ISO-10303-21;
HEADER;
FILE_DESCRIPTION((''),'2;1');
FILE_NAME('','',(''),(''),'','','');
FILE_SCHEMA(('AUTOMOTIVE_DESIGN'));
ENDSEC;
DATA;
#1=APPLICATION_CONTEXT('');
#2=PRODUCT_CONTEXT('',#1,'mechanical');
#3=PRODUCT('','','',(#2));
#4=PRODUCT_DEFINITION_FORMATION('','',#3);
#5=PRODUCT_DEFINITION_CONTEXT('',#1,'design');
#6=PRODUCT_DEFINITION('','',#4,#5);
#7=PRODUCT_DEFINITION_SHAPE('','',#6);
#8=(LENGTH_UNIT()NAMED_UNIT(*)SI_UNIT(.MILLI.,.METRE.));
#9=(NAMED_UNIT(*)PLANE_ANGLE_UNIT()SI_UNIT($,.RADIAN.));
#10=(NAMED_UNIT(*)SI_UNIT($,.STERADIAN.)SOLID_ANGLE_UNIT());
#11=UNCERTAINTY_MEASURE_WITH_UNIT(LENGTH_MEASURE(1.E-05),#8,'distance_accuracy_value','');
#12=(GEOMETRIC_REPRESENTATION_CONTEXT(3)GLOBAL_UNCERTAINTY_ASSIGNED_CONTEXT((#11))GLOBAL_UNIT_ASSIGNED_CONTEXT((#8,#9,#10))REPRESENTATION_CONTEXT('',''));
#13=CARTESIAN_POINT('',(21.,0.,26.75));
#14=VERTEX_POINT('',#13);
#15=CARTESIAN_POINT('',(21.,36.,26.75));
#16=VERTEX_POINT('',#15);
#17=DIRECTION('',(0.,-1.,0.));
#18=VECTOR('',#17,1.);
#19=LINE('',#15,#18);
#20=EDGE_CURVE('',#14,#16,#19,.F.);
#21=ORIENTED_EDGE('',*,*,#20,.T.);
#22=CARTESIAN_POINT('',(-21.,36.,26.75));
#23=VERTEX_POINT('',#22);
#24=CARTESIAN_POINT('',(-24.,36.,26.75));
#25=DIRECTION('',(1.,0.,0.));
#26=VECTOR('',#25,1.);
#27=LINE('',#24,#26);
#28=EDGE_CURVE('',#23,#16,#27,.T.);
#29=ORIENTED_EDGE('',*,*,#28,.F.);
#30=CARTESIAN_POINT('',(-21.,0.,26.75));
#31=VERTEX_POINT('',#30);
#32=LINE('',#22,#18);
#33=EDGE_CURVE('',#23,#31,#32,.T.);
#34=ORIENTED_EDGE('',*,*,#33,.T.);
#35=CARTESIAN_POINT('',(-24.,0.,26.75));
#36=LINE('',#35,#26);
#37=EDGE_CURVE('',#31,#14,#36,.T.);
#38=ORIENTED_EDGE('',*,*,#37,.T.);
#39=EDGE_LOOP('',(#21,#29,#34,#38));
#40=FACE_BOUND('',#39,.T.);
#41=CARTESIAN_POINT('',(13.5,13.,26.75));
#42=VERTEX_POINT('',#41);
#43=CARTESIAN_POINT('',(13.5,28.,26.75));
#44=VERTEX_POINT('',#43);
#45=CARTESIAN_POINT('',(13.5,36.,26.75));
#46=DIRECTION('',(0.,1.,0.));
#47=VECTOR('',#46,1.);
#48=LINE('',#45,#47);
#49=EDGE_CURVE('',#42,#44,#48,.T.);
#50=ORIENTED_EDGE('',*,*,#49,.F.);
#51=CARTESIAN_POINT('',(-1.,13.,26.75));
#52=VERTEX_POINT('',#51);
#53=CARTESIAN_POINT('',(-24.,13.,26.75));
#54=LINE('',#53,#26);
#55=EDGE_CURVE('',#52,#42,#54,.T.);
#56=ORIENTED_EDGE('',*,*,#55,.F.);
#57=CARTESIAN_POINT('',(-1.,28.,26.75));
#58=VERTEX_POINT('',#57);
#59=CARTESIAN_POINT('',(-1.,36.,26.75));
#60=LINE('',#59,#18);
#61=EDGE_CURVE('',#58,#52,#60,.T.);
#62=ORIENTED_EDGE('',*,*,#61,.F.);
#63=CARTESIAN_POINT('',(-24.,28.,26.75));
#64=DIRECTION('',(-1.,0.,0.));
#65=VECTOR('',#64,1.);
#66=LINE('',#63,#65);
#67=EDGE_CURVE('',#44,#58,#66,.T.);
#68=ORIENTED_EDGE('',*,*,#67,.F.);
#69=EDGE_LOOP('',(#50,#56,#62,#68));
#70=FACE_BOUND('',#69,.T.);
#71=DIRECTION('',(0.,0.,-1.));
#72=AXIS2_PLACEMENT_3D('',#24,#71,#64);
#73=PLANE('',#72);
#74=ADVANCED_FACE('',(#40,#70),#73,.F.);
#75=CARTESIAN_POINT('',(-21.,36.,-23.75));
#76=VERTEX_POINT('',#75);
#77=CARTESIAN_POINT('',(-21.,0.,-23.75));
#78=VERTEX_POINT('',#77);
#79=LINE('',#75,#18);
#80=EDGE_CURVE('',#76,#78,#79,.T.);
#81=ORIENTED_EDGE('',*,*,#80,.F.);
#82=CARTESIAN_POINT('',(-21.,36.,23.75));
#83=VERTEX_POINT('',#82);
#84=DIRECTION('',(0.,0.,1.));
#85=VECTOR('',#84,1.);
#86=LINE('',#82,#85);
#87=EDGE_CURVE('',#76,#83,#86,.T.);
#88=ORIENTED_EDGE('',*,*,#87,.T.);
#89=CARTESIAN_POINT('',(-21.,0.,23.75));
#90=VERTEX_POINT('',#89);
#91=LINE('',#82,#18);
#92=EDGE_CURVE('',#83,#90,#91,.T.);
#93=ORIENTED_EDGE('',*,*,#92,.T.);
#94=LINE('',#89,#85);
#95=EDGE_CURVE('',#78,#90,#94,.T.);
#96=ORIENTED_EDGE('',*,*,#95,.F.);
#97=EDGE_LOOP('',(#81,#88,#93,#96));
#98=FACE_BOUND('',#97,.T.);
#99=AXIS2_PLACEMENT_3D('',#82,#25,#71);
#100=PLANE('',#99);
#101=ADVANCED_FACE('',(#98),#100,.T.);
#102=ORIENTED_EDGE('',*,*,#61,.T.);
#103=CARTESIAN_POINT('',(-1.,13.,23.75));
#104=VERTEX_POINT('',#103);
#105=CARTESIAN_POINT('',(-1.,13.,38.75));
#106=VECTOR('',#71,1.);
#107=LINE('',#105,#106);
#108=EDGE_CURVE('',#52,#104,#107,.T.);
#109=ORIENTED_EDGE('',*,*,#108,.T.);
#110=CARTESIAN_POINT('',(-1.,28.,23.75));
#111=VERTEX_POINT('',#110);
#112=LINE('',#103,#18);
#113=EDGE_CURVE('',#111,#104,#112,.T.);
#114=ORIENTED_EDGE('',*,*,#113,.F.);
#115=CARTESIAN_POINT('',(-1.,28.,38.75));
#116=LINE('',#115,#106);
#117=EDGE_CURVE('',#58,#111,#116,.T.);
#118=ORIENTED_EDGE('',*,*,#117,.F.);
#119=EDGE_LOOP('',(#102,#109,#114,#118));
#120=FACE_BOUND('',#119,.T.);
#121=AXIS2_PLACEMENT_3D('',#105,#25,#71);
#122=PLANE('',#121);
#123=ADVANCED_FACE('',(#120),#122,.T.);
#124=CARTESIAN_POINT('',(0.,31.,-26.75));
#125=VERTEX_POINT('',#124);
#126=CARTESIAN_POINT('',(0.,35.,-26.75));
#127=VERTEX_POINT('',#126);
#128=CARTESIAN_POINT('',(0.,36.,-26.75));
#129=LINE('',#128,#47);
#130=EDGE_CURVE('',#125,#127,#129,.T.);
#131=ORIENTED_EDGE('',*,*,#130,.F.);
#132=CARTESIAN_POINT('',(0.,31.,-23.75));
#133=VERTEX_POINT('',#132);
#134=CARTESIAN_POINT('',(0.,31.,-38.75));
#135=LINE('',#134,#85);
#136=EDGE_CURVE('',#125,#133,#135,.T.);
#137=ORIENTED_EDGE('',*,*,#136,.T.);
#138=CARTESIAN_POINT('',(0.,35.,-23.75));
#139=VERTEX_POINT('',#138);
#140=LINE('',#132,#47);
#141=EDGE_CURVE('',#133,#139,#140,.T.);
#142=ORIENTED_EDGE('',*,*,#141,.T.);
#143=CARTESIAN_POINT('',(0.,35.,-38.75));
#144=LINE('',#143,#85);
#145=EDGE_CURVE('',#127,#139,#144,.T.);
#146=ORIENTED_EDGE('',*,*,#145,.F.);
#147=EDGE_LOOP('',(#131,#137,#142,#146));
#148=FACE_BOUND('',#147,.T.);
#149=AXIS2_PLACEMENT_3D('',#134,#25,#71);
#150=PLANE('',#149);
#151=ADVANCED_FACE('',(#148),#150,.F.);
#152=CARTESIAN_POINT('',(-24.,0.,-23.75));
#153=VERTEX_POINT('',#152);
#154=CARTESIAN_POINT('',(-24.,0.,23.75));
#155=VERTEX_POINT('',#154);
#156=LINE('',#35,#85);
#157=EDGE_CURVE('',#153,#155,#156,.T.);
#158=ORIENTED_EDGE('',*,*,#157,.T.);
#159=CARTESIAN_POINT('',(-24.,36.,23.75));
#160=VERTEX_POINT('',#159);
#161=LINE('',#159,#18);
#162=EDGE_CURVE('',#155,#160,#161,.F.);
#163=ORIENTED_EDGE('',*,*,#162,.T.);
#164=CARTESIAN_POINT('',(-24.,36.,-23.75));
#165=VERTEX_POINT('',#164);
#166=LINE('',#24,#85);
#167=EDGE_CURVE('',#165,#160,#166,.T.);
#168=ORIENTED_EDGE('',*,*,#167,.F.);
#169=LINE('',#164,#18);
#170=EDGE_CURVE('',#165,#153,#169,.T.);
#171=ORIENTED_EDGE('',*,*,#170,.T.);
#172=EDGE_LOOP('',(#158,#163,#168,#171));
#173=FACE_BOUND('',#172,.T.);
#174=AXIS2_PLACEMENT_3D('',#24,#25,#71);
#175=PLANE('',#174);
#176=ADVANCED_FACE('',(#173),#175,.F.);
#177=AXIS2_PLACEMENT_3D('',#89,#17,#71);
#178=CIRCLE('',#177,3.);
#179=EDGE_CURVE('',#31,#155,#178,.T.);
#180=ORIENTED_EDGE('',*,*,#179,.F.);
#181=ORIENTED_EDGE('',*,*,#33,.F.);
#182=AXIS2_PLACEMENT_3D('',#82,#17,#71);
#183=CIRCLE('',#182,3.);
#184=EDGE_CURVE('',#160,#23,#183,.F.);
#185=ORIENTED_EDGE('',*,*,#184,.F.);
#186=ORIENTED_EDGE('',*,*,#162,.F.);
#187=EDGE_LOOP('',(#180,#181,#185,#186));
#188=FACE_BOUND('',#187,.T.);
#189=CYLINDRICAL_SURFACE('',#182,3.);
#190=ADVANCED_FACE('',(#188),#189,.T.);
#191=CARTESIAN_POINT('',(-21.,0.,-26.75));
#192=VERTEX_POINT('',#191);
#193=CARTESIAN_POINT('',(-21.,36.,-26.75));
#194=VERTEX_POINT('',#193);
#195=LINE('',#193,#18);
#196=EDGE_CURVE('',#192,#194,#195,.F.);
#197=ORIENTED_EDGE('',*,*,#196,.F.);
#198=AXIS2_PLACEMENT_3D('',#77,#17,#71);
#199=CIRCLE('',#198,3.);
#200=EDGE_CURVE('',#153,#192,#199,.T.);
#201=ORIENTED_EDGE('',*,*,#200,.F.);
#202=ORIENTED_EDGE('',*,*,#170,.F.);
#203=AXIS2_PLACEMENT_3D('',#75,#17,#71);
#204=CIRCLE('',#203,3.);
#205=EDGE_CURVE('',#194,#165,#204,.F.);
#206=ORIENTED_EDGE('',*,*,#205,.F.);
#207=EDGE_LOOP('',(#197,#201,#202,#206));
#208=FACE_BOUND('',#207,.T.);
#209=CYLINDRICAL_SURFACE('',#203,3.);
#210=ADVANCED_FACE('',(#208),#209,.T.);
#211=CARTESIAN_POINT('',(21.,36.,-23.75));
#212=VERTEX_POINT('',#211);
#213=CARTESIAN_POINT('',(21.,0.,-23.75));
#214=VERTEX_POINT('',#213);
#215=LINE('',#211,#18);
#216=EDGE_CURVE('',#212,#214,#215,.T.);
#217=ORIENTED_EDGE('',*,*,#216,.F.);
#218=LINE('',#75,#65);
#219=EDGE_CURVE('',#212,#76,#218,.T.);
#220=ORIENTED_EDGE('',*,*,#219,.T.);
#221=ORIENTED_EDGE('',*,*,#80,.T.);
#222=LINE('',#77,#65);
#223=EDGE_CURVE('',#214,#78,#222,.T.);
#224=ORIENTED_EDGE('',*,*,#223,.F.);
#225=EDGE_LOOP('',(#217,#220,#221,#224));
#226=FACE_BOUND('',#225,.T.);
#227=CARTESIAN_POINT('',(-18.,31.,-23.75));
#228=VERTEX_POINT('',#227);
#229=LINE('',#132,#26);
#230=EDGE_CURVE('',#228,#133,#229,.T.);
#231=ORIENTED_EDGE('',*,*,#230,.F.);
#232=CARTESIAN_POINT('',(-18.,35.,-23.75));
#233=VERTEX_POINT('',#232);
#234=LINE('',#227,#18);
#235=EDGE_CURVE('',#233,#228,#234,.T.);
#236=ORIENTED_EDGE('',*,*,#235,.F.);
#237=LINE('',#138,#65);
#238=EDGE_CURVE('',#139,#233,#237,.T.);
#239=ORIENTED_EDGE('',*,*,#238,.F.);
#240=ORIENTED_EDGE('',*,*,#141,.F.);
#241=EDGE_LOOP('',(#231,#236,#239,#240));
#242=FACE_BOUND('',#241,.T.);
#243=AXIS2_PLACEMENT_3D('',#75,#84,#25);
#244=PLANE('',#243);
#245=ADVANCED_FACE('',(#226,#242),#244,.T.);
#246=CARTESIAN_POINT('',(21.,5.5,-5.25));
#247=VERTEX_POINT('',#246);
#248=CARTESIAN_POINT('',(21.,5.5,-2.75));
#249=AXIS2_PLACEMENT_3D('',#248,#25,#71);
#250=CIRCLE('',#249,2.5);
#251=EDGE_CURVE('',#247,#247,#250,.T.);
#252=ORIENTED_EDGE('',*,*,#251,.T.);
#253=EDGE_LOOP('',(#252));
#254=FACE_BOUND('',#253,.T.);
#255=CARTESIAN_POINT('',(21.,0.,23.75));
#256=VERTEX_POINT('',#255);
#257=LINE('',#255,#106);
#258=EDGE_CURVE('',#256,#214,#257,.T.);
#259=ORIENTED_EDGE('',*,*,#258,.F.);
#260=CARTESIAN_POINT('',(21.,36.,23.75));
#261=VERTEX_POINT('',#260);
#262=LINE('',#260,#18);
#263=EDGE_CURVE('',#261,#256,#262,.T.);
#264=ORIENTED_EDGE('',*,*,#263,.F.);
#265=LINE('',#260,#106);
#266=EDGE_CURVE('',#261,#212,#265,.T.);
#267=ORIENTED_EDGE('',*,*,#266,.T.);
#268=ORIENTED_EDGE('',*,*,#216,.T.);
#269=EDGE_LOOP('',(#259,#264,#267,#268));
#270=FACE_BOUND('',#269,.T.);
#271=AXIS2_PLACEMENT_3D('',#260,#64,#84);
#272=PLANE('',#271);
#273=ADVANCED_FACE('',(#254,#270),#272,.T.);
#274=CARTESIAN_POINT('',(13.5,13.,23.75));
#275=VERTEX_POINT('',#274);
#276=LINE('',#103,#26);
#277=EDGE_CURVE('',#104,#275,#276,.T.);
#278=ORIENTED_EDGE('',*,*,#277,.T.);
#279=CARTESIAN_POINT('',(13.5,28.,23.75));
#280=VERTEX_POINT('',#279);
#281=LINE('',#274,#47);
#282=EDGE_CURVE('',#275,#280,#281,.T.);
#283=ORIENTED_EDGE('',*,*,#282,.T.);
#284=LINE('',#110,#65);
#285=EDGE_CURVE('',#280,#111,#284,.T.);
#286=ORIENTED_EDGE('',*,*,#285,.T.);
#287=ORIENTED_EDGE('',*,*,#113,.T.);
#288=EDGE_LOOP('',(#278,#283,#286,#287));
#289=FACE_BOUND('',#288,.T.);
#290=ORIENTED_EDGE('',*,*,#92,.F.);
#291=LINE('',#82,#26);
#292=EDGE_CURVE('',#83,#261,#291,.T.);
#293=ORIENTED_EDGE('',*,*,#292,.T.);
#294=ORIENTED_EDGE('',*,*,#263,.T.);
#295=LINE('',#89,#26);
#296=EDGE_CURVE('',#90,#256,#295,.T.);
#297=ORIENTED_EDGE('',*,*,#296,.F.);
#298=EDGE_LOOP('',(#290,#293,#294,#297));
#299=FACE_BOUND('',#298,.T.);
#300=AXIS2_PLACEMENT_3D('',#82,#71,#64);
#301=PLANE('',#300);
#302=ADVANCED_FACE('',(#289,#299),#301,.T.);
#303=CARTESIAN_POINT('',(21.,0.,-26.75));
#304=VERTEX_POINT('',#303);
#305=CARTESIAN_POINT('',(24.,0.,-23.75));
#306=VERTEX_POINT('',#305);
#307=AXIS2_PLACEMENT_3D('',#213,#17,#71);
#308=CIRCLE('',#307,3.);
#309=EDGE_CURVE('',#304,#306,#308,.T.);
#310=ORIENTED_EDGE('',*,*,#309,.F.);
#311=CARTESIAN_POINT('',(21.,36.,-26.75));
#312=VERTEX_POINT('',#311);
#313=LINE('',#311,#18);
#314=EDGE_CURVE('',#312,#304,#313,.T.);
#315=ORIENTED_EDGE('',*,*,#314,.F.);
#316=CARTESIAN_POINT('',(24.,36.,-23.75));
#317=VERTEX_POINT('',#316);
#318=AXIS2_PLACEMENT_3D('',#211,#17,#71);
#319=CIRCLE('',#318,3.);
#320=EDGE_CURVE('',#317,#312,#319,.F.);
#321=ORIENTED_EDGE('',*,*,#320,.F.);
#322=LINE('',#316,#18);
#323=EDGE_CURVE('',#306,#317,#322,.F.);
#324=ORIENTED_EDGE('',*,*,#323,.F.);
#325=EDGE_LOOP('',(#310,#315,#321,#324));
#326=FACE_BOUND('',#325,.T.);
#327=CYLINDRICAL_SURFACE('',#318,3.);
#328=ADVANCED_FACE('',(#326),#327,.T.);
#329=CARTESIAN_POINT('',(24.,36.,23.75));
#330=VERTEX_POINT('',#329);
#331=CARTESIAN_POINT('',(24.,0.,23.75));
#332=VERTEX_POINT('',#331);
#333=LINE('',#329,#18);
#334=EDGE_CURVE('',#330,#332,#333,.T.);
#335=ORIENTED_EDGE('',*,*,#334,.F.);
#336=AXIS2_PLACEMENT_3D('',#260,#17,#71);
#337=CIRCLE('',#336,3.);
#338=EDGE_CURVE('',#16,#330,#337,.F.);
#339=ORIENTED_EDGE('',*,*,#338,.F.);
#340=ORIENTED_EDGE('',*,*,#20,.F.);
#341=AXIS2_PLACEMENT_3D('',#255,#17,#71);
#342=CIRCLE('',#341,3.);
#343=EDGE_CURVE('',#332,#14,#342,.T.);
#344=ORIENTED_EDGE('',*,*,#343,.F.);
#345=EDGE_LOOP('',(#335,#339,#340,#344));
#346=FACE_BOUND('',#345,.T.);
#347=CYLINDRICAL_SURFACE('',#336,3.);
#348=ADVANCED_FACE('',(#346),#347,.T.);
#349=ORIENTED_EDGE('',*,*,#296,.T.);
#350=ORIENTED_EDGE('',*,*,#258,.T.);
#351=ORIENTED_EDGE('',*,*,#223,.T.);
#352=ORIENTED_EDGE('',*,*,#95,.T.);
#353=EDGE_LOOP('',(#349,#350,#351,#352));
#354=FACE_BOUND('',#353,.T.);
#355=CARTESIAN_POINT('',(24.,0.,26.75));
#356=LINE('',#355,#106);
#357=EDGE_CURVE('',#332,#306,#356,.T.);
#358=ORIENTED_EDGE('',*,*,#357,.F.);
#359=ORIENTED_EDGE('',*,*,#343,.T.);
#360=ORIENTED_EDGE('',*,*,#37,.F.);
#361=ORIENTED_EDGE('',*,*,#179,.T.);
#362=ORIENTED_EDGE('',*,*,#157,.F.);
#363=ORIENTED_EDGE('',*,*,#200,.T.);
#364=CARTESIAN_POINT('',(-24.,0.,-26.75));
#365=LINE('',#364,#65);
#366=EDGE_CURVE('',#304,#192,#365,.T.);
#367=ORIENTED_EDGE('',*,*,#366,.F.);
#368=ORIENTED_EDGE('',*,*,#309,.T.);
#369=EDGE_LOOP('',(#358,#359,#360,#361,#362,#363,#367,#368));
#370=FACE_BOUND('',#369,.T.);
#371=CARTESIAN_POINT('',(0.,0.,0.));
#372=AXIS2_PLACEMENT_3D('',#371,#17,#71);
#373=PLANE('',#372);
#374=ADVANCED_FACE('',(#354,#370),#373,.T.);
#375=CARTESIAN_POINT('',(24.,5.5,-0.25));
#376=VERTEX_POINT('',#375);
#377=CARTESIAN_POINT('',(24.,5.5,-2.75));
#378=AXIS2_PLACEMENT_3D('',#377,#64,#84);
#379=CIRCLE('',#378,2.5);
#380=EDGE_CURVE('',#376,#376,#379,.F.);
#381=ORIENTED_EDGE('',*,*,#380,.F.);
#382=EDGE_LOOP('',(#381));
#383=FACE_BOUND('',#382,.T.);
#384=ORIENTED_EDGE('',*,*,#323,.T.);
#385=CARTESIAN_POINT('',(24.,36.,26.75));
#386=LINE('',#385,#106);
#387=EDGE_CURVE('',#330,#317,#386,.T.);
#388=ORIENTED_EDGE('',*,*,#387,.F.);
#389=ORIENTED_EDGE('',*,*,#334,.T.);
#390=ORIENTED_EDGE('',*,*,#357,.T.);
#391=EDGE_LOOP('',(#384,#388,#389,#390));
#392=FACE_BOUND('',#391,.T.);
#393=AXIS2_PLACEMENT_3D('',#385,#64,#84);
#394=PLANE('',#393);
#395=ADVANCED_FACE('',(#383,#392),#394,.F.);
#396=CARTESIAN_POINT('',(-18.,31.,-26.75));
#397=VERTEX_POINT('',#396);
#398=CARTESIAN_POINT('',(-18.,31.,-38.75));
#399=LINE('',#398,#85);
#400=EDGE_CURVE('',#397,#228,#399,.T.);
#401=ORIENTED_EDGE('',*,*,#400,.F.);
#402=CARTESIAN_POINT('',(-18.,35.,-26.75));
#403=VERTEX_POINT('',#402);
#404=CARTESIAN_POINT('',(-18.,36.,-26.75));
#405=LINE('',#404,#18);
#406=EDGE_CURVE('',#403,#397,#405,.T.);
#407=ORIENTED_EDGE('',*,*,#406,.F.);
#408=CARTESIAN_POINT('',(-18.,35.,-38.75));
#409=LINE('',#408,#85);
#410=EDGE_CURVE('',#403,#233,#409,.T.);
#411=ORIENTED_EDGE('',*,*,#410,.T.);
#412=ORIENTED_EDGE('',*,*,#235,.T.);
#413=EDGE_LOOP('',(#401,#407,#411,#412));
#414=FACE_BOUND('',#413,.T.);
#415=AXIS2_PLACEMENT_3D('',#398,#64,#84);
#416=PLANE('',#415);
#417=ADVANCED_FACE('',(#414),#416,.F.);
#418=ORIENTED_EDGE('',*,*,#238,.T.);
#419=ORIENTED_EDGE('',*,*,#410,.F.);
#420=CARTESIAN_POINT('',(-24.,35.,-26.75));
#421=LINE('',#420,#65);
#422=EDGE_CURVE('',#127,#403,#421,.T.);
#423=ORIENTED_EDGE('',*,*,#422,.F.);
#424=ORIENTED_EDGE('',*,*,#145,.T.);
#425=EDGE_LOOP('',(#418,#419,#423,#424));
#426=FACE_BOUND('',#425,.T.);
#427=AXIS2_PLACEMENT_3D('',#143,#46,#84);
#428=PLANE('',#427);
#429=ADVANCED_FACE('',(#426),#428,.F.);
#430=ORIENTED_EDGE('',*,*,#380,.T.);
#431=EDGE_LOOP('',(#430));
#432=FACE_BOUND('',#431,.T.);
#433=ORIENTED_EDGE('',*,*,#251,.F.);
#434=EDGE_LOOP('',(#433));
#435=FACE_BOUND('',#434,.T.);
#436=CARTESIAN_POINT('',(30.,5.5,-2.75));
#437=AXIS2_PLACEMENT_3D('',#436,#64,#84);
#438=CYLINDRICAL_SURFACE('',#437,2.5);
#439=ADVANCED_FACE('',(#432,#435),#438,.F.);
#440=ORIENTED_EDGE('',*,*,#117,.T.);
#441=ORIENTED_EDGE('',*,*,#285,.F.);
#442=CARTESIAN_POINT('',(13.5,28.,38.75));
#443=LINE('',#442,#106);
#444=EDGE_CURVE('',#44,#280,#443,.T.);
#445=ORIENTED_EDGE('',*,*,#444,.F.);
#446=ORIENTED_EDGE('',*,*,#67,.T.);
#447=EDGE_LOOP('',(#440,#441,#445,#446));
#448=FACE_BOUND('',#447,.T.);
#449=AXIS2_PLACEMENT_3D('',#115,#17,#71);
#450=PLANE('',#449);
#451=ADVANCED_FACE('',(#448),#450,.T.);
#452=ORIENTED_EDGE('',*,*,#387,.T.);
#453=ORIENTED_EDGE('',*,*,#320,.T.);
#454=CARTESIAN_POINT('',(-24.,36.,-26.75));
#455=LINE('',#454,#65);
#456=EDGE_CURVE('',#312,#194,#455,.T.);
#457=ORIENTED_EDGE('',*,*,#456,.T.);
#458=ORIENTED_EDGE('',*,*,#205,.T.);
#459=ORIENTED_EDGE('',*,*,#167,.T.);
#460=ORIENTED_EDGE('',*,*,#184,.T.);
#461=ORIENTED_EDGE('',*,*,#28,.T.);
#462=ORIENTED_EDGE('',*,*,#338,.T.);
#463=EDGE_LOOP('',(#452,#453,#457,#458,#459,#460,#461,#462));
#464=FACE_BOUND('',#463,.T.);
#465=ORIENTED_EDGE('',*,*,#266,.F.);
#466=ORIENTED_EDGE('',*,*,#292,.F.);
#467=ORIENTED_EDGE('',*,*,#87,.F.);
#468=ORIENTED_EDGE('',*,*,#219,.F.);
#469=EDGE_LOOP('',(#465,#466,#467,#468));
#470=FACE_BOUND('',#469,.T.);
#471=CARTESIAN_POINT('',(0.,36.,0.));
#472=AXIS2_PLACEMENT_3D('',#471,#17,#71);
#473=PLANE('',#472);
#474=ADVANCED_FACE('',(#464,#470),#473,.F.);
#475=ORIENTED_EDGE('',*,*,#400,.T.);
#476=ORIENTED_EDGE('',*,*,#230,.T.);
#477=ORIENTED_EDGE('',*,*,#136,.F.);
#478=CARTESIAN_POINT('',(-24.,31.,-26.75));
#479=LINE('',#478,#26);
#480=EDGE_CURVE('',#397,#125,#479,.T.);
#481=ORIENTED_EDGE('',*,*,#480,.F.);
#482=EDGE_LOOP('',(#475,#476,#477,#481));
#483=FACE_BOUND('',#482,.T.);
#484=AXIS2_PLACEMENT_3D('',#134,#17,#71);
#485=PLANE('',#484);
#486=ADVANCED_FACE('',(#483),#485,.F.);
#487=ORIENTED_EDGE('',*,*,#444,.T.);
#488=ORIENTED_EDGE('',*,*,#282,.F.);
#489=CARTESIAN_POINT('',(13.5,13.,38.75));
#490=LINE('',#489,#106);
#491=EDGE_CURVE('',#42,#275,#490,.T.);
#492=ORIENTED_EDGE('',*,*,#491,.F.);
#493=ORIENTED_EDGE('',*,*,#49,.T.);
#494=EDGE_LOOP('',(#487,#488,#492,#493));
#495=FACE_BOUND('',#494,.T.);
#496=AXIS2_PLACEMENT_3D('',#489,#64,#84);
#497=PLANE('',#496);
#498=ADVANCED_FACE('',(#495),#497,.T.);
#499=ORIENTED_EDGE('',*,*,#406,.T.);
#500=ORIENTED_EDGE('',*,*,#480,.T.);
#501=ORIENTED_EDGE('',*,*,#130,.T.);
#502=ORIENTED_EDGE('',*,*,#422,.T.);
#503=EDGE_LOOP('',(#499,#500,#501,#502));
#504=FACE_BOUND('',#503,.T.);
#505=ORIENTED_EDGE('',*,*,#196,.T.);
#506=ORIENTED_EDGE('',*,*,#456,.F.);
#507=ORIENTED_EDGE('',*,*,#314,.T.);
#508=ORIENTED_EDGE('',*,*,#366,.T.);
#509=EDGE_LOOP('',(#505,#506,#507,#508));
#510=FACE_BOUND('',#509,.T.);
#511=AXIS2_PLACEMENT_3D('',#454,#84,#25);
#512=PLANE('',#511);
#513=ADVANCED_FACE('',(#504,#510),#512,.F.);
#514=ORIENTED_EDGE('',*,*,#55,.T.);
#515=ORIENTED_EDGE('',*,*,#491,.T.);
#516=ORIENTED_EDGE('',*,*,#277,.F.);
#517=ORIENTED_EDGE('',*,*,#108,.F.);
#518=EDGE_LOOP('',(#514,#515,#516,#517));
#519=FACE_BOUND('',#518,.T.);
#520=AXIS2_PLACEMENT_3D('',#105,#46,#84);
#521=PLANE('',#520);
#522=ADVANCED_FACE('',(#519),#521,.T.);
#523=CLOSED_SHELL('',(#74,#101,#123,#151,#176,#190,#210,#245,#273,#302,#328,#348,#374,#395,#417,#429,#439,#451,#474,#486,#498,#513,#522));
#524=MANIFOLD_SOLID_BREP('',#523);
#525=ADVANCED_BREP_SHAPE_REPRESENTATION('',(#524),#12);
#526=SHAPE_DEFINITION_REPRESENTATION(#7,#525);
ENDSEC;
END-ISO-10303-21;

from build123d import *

# Parameters (mm, degrees)
SKETCH1_W           = 48
SKETCH1_H           = 53.5
SKETCH1_W_2         = 42
SKETCH1_H_2         = 47.5
BOSS_EXTRUDE1_DEPTH = 36
SKETCH2_R           = 2.5
CUT_EXTRUDE1_DEPTH  = 9
SKETCH4_W           = 14.5
SKETCH4_H           = 15
CUT_EXTRUDE2_DEPTH  = 15
SKETCH6_W           = 18
SKETCH6_H           = 4
CUT_EXTRUDE3_DEPTH  = 15
FILLET1_R           = 3


with BuildPart() as part:
    # Sketch1 → Boss-Extrude1 (new body)
    with BuildSketch(Plane(origin=(0, 0, 0), x_dir=(1, 0, 0), z_dir=(0, 1, 0))):
        Rectangle(SKETCH1_W, SKETCH1_H)
        Rectangle(SKETCH1_W_2, SKETCH1_H_2, mode=Mode.SUBTRACT)
    extrude(amount=BOSS_EXTRUDE1_DEPTH)

    # Sketch2 → Cut-Extrude1 (cut)
    with BuildSketch(Plane(origin=(21, 0, 0), x_dir=(0, 0, -1), z_dir=(1, 0, 0))):
        with Locations((2.75, 5.5)):
            Circle(SKETCH2_R)
    extrude(amount=CUT_EXTRUDE1_DEPTH, mode=Mode.SUBTRACT)

    # Sketch4 → Cut-Extrude2 (cut)
    with BuildSketch(Plane.XY.offset(23.75)):
        with Locations((6.25, 20.5)):
            Rectangle(SKETCH4_W, SKETCH4_H)
    extrude(amount=CUT_EXTRUDE2_DEPTH, mode=Mode.SUBTRACT)

    # Sketch6 → Cut-Extrude3 (cut)
    with BuildSketch(Plane.XY.offset(-23.75)):
        with Locations((-9, 33)):
            Rectangle(SKETCH6_W, SKETCH6_H)
    extrude(amount=-CUT_EXTRUDE3_DEPTH, mode=Mode.SUBTRACT)

    # Fillet1
    fillet1_edges = [part.edges().sort_by_distance(p)[0] for p in [
        (24, 18, 26.75),
        (-24, 18, 26.75),
        (-24, 18, -26.75),
        (24, 18, -26.75),
    ]]
    fillet(fillet1_edges, radius=FILLET1_R)


solid = part.part
